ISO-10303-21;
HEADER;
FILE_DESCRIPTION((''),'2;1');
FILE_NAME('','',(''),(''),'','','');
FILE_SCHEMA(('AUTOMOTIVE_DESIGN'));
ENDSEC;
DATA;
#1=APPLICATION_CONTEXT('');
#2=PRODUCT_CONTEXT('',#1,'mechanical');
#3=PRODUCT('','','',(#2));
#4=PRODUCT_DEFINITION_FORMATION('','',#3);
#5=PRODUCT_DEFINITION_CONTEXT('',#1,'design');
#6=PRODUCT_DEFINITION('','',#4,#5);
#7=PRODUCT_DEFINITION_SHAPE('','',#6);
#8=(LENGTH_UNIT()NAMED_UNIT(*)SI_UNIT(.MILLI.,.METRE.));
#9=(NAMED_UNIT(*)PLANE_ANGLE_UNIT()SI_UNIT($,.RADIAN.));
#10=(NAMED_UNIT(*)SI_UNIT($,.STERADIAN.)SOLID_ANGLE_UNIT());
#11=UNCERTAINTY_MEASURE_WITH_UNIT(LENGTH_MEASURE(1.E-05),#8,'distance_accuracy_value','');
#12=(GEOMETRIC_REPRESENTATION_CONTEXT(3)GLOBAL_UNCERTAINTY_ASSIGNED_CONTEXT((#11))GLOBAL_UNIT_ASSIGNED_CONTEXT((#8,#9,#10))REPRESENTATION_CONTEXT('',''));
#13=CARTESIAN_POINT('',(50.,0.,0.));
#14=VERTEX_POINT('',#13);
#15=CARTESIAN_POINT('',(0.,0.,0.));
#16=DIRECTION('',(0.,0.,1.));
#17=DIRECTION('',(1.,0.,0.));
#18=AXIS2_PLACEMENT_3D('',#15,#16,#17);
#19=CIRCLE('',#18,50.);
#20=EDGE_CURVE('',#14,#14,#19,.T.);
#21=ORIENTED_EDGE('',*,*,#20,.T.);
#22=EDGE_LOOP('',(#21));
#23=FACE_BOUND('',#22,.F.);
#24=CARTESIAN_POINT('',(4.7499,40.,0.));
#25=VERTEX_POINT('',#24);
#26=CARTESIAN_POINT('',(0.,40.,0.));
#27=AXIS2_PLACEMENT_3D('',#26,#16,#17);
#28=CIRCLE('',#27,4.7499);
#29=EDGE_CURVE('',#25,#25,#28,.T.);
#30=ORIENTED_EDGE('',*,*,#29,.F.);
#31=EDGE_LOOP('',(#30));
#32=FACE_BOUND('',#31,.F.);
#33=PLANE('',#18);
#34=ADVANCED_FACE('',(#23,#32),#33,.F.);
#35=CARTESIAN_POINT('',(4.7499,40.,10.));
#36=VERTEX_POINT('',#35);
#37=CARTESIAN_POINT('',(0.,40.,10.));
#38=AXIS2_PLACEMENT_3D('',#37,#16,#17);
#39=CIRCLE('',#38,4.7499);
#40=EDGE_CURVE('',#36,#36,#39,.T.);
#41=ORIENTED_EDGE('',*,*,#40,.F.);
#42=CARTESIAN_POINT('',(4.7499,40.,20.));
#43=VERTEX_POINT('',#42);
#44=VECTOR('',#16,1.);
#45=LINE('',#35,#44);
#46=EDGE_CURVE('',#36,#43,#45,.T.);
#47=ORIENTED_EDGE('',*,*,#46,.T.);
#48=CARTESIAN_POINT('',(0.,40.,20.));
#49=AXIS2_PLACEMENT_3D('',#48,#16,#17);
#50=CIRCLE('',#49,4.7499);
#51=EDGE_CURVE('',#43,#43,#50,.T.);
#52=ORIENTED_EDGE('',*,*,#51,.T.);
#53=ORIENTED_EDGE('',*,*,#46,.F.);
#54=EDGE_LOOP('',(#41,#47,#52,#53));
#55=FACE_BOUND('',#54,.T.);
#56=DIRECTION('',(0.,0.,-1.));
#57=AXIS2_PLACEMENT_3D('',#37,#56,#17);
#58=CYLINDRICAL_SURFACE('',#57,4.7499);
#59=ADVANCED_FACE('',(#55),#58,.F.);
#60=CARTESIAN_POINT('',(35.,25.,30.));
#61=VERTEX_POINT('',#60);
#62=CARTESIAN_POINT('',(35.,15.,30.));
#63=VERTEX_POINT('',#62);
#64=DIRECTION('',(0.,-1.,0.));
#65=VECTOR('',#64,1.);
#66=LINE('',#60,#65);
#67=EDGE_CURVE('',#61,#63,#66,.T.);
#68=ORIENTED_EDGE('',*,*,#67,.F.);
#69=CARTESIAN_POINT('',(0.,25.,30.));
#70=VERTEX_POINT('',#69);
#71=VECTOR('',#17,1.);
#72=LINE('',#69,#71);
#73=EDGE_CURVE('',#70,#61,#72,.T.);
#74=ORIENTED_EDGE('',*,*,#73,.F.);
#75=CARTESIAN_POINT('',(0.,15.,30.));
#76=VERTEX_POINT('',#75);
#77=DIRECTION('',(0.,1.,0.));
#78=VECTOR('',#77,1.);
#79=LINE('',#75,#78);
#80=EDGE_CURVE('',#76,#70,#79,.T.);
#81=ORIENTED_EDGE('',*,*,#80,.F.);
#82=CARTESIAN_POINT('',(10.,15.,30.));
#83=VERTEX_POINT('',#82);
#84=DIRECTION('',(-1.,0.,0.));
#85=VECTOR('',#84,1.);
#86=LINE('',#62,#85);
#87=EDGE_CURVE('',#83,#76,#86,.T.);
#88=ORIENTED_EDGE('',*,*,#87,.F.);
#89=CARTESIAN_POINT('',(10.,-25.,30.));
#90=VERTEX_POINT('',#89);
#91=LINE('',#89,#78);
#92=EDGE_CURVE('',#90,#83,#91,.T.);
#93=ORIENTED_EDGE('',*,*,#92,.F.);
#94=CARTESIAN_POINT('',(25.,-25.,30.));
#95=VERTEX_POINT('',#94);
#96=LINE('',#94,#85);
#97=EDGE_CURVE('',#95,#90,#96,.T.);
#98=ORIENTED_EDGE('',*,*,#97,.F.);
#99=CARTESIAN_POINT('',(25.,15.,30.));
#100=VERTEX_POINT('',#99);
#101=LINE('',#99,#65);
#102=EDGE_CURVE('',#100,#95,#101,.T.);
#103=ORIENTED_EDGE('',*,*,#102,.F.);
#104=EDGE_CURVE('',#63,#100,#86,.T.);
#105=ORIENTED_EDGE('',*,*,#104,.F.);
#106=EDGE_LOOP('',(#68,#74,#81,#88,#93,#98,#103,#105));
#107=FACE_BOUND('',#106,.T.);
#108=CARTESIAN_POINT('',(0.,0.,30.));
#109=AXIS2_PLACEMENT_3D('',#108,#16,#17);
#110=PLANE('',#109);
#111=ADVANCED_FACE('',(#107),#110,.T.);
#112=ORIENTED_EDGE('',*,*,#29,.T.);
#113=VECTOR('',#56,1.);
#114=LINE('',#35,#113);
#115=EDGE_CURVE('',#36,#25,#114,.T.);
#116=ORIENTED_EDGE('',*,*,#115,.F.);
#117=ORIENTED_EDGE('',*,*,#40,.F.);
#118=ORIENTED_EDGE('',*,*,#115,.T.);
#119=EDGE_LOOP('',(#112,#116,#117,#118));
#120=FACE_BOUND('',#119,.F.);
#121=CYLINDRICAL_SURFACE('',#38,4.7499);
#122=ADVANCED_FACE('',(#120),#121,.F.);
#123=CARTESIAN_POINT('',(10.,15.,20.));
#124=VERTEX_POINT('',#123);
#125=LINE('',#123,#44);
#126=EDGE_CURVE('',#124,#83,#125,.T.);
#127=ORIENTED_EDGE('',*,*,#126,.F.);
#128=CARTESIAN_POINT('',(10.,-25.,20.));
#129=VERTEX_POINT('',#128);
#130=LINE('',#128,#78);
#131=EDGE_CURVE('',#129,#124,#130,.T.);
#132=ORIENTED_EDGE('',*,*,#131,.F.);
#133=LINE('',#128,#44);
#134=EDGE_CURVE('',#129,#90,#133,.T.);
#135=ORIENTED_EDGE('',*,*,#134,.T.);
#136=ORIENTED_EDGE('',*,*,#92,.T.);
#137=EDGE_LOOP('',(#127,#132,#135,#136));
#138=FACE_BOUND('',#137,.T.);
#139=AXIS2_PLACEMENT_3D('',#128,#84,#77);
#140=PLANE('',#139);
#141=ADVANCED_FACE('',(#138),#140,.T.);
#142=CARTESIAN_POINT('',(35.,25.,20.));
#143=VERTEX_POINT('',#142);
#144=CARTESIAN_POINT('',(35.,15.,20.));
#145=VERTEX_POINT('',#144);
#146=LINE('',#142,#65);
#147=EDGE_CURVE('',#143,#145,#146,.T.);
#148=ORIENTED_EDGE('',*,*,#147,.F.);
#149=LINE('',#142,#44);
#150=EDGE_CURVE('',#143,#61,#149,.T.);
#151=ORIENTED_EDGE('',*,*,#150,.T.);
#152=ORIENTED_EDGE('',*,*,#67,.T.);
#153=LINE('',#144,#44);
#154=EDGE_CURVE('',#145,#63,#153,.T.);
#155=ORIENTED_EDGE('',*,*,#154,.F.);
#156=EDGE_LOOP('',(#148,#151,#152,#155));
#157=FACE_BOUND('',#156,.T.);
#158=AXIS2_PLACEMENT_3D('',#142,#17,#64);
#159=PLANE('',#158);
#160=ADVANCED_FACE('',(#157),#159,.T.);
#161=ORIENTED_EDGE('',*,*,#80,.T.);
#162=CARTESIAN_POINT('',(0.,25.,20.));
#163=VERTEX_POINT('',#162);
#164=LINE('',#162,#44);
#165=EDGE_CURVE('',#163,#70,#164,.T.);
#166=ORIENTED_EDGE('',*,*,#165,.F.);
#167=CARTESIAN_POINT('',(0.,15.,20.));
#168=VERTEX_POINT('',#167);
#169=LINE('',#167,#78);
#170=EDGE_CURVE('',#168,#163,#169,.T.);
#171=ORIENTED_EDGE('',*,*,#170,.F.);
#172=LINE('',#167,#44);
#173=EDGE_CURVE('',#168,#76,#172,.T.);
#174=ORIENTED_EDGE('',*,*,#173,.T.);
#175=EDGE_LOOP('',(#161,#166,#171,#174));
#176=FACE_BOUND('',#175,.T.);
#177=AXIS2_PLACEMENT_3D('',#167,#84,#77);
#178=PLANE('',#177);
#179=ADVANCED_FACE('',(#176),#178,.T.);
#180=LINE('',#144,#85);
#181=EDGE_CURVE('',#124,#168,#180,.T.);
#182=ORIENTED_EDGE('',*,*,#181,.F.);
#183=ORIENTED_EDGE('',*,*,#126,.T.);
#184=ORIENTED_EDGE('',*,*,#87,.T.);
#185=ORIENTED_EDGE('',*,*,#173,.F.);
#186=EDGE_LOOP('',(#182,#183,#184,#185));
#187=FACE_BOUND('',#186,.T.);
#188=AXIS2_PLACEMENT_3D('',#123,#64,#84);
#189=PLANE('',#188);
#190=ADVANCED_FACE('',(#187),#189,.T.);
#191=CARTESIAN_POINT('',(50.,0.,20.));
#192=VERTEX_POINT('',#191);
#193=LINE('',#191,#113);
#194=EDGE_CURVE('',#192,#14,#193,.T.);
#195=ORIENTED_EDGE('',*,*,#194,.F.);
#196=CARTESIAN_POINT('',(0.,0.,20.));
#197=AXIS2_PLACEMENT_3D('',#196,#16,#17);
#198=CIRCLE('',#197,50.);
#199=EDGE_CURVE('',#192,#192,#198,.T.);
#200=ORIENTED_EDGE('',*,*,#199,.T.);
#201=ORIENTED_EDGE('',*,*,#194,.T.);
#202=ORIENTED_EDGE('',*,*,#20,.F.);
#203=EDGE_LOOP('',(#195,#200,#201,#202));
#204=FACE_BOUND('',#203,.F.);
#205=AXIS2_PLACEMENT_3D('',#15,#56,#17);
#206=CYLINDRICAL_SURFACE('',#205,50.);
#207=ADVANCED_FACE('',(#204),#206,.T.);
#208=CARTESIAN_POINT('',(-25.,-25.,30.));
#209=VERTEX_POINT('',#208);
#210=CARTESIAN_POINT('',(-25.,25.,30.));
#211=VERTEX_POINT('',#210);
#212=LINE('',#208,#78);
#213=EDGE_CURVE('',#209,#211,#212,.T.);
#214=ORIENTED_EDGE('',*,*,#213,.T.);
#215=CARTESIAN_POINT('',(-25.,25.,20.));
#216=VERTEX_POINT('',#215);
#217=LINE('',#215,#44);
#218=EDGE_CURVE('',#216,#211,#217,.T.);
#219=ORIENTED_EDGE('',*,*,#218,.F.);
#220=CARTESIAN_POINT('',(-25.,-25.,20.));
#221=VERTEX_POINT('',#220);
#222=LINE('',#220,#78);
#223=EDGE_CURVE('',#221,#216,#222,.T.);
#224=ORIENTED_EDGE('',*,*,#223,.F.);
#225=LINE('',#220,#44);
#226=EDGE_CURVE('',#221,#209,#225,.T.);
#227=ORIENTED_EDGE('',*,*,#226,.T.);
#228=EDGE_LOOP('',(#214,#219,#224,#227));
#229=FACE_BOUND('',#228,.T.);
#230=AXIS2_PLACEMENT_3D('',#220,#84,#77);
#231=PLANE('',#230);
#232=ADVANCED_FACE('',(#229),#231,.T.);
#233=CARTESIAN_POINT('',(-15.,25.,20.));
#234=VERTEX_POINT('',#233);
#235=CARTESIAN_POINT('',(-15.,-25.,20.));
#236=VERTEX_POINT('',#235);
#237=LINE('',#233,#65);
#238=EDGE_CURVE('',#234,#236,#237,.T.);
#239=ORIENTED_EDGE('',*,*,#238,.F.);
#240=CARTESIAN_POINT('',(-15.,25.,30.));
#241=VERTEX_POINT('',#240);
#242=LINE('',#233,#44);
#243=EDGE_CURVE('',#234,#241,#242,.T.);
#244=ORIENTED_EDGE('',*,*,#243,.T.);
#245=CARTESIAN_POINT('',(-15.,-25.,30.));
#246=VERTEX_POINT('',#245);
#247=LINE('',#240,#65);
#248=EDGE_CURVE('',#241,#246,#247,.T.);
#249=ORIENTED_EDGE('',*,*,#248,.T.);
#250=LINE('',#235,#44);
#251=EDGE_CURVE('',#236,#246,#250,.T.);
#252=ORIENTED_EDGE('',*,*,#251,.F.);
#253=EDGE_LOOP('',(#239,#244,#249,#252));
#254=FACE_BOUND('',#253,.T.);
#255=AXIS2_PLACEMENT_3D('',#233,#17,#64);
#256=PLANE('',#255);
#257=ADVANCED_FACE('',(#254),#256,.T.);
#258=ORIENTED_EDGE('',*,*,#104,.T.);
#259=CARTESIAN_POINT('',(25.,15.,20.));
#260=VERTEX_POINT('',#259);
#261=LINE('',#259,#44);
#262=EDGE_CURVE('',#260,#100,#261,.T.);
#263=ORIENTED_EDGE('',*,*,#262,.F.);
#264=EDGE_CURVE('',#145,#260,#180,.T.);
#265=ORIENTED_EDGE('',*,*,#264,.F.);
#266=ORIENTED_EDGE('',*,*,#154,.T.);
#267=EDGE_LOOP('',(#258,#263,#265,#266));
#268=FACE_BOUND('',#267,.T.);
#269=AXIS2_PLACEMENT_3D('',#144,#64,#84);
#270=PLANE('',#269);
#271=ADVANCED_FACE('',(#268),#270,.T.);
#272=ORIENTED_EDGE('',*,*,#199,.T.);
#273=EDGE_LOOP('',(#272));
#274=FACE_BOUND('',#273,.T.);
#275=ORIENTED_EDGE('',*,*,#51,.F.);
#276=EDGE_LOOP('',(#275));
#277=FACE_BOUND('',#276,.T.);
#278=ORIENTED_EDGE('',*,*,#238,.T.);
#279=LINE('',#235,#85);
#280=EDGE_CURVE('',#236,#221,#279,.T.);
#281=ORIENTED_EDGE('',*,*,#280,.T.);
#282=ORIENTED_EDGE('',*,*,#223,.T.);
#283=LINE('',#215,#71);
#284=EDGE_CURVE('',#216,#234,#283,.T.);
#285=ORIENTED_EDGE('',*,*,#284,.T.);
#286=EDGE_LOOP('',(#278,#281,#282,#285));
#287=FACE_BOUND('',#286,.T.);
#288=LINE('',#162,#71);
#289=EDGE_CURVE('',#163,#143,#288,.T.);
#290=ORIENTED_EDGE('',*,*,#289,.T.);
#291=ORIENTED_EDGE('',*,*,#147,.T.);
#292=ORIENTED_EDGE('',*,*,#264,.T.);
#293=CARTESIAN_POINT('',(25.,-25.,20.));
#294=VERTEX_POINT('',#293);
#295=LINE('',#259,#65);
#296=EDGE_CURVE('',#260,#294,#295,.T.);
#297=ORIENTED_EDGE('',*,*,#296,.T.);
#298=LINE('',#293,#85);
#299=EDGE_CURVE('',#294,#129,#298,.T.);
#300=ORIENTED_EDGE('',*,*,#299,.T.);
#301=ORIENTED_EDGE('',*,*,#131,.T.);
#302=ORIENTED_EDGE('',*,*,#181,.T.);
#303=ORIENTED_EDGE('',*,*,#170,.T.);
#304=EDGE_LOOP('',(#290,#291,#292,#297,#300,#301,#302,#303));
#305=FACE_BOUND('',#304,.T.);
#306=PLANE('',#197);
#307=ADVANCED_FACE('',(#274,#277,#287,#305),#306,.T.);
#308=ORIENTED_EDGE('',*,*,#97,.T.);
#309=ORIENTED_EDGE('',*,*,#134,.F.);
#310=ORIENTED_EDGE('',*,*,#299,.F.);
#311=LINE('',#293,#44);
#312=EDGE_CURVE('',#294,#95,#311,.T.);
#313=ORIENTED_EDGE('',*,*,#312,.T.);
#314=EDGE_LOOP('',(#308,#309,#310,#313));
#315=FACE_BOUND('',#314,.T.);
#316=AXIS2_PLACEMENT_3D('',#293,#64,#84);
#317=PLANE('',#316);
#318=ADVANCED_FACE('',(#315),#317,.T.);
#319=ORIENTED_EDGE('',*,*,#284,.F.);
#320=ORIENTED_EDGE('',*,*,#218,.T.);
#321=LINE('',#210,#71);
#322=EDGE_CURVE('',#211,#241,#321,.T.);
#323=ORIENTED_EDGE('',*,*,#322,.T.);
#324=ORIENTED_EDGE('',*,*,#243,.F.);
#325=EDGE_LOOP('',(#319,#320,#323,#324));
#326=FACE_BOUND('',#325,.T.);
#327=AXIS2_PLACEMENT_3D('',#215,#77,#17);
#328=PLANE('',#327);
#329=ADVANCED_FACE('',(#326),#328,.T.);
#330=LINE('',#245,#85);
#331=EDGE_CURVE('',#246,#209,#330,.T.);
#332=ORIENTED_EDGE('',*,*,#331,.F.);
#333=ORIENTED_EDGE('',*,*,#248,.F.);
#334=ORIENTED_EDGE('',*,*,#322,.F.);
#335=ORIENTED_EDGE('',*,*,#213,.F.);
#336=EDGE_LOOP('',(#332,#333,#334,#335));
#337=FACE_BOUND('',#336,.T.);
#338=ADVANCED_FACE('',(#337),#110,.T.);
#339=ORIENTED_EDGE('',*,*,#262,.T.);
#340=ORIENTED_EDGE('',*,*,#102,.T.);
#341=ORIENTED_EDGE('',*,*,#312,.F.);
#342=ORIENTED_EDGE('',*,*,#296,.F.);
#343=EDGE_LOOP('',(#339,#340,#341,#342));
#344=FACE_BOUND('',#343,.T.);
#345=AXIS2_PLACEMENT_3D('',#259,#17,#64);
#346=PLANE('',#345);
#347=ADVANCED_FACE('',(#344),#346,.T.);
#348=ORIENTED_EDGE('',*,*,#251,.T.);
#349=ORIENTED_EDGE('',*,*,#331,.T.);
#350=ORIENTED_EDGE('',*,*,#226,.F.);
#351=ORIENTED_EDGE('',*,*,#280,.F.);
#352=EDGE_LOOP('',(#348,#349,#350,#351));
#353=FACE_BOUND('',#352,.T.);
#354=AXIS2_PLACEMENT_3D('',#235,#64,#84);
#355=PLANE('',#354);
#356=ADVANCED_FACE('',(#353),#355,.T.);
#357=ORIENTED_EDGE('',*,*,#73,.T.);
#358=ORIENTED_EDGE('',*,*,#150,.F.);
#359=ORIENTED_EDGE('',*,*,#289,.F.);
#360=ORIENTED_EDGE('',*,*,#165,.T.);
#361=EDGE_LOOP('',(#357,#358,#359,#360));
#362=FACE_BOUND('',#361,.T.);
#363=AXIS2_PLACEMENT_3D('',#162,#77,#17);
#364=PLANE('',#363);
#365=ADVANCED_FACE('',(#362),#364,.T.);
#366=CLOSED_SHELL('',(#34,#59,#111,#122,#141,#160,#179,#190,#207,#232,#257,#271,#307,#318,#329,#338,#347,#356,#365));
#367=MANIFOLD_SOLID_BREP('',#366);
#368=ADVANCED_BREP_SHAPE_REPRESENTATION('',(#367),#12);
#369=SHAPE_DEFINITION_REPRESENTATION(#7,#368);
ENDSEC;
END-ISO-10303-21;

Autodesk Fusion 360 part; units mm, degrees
sketch "スケッチ1" plane through (0, 0, 0) normal (0, 0, 1) x (1, 0, 0)
  circle A0 centre (0, 0) radius 50
extrude "押し出し1" add sketch "スケッチ1" along normal blind 10
sketch "スケッチ2" plane through (0, 0, 10) normal (0, 0, 1) x (1, 0, 0)
  circle A0 centre (0, 0) radius 50
  circle A1 centre (0, 40) radius 4.7499
extrude "押し出し2" cut sketch "スケッチ2" against normal blind 10 contours A1
sketch "スケッチ3" plane through (0, 0, 10) normal (0, 0, 1) x (1, 0, 0)
  circle A0 centre (0, 40) radius 4.7499
  circle A1 centre (0, 0) radius 50
sketch "スケッチ4" plane through (0, 0, 10) normal (0, 0, 1) x (1, 0, 0)
sketch "スケッチ5" plane through (0, 0, 10) normal (0, 0, 1) x (1, 0, 0)
sketch "スケッチ6" plane through (0, 0, 10) normal (0, 0, 1) x (1, 0, 0)
sketch "スケッチ7" plane through (0, 0, 10) normal (0, 0, 1) x (1, 0, 0)
sketch "スケッチ8" plane through (0, 0, 10) normal (0, 0, 1) x (1, 0, 0)
sketch "スケッチ9" plane through (0, 0, 10) normal (0, 0, 1) x (1, 0, 0)
sketch "スケッチ10" plane through (0, 0, 10) normal (0, 0, 1) x (1, 0, 0)
sketch "スケッチ11" plane through (0, 0, 10) normal (0, 0, 1) x (1, 0, 0)
sketch "スケッチ12" plane through (0, 0, 10) normal (0, 0, 1) x (1, 0, 0)
sketch "スケッチ13" plane through (0, 0, 10) normal (0, 0, 1) x (1, 0, 0)
sketch "スケッチ14" plane through (0, 0, 10) normal (0, 0, 1) x (1, 0, 0)
  line L0 (-25, 25) -> (-15, 25)
  line L1 (-15, 25) -> (-15, -30)
  line L2 (-15, -30) -> (-25, -30)
  line L3 (-25, -30) -> (-25, 25)
  line L4 (0, 25) -> (35, 25)
  line L5 (35, 25) -> (35, 15)
  line L6 (35, 15) -> (0, 15)
  line L7 (0, 15) -> (0, 25)
  line L8 (10, 15) -> (25, 15)
  line L9 (25, 15) -> (25, -30)
  line L10 (25, -30) -> (10, -30)
  line L11 (10, -30) -> (10, 15)
extrude "押し出し3" add sketch "スケッチ14" sketch "スケッチ3" along normal blind 10 contours L0 L1 L2 L3 of sketch 2
sketch "スケッチ15" plane through (0, 0, 20) normal (0, 0, 1) x (1, 0, 0)
  circle A0 centre (0, 40) radius 4.7499
  circle A1 centre (0, 0) radius 50
  line L0 (-25, 25) -> (-15, 25)
  line L1 (-15, 25) -> (-15, -25)
  line L2 (-15, -25) -> (-25, -25)
  line L3 (-25, -25) -> (-25, 25)
  line L4 (0, 25) -> (25, 25)
  line L5 (25, 25) -> (25, 15)
  line L6 (25, 15) -> (0, 15)
  line L7 (0, 15) -> (0, 25)
  line L8 (10, 15) -> (15, 15)
  line L9 (15, 15) -> (15, -25)
  line L10 (15, -25) -> (10, -25)
  line L11 (10, -25) -> (10, 15)
extrude "押し出し4" add sketch "スケッチ15" along normal blind 10 contours L0 L1 L2 L3
sketch "スケッチ16" plane through (0, 0, 20) normal (0, 0, 1) x (1, 0, 0)
  line L0 (-25, -25) -> (-25, 25)
  line L1 (-25, 25) -> (-15, 25)
  line L2 (-15, 25) -> (-15, -25)
  line L3 (-15, -25) -> (-25, -25)
  circle A0 centre (0, 40) radius 4.7499
  circle A1 centre (0, 0) radius 50
  line L4 (0, 25) -> (35, 25)
  line L5 (35, 25) -> (35, 15)
  line L6 (35, 15) -> (0, 15)
  line L7 (0, 15) -> (0, 25)
  line L8 (10, 15) -> (25, 15)
  line L9 (25, 15) -> (25, -25)
  line L10 (25, -25) -> (10, -25)
  line L11 (10, -25) -> (10, 15)
extrude "押し出し5" add sketch "スケッチ16" along normal blind 10 contours L4 L5 L6 L7 L8 | L6 L8 L9 L10 L11
